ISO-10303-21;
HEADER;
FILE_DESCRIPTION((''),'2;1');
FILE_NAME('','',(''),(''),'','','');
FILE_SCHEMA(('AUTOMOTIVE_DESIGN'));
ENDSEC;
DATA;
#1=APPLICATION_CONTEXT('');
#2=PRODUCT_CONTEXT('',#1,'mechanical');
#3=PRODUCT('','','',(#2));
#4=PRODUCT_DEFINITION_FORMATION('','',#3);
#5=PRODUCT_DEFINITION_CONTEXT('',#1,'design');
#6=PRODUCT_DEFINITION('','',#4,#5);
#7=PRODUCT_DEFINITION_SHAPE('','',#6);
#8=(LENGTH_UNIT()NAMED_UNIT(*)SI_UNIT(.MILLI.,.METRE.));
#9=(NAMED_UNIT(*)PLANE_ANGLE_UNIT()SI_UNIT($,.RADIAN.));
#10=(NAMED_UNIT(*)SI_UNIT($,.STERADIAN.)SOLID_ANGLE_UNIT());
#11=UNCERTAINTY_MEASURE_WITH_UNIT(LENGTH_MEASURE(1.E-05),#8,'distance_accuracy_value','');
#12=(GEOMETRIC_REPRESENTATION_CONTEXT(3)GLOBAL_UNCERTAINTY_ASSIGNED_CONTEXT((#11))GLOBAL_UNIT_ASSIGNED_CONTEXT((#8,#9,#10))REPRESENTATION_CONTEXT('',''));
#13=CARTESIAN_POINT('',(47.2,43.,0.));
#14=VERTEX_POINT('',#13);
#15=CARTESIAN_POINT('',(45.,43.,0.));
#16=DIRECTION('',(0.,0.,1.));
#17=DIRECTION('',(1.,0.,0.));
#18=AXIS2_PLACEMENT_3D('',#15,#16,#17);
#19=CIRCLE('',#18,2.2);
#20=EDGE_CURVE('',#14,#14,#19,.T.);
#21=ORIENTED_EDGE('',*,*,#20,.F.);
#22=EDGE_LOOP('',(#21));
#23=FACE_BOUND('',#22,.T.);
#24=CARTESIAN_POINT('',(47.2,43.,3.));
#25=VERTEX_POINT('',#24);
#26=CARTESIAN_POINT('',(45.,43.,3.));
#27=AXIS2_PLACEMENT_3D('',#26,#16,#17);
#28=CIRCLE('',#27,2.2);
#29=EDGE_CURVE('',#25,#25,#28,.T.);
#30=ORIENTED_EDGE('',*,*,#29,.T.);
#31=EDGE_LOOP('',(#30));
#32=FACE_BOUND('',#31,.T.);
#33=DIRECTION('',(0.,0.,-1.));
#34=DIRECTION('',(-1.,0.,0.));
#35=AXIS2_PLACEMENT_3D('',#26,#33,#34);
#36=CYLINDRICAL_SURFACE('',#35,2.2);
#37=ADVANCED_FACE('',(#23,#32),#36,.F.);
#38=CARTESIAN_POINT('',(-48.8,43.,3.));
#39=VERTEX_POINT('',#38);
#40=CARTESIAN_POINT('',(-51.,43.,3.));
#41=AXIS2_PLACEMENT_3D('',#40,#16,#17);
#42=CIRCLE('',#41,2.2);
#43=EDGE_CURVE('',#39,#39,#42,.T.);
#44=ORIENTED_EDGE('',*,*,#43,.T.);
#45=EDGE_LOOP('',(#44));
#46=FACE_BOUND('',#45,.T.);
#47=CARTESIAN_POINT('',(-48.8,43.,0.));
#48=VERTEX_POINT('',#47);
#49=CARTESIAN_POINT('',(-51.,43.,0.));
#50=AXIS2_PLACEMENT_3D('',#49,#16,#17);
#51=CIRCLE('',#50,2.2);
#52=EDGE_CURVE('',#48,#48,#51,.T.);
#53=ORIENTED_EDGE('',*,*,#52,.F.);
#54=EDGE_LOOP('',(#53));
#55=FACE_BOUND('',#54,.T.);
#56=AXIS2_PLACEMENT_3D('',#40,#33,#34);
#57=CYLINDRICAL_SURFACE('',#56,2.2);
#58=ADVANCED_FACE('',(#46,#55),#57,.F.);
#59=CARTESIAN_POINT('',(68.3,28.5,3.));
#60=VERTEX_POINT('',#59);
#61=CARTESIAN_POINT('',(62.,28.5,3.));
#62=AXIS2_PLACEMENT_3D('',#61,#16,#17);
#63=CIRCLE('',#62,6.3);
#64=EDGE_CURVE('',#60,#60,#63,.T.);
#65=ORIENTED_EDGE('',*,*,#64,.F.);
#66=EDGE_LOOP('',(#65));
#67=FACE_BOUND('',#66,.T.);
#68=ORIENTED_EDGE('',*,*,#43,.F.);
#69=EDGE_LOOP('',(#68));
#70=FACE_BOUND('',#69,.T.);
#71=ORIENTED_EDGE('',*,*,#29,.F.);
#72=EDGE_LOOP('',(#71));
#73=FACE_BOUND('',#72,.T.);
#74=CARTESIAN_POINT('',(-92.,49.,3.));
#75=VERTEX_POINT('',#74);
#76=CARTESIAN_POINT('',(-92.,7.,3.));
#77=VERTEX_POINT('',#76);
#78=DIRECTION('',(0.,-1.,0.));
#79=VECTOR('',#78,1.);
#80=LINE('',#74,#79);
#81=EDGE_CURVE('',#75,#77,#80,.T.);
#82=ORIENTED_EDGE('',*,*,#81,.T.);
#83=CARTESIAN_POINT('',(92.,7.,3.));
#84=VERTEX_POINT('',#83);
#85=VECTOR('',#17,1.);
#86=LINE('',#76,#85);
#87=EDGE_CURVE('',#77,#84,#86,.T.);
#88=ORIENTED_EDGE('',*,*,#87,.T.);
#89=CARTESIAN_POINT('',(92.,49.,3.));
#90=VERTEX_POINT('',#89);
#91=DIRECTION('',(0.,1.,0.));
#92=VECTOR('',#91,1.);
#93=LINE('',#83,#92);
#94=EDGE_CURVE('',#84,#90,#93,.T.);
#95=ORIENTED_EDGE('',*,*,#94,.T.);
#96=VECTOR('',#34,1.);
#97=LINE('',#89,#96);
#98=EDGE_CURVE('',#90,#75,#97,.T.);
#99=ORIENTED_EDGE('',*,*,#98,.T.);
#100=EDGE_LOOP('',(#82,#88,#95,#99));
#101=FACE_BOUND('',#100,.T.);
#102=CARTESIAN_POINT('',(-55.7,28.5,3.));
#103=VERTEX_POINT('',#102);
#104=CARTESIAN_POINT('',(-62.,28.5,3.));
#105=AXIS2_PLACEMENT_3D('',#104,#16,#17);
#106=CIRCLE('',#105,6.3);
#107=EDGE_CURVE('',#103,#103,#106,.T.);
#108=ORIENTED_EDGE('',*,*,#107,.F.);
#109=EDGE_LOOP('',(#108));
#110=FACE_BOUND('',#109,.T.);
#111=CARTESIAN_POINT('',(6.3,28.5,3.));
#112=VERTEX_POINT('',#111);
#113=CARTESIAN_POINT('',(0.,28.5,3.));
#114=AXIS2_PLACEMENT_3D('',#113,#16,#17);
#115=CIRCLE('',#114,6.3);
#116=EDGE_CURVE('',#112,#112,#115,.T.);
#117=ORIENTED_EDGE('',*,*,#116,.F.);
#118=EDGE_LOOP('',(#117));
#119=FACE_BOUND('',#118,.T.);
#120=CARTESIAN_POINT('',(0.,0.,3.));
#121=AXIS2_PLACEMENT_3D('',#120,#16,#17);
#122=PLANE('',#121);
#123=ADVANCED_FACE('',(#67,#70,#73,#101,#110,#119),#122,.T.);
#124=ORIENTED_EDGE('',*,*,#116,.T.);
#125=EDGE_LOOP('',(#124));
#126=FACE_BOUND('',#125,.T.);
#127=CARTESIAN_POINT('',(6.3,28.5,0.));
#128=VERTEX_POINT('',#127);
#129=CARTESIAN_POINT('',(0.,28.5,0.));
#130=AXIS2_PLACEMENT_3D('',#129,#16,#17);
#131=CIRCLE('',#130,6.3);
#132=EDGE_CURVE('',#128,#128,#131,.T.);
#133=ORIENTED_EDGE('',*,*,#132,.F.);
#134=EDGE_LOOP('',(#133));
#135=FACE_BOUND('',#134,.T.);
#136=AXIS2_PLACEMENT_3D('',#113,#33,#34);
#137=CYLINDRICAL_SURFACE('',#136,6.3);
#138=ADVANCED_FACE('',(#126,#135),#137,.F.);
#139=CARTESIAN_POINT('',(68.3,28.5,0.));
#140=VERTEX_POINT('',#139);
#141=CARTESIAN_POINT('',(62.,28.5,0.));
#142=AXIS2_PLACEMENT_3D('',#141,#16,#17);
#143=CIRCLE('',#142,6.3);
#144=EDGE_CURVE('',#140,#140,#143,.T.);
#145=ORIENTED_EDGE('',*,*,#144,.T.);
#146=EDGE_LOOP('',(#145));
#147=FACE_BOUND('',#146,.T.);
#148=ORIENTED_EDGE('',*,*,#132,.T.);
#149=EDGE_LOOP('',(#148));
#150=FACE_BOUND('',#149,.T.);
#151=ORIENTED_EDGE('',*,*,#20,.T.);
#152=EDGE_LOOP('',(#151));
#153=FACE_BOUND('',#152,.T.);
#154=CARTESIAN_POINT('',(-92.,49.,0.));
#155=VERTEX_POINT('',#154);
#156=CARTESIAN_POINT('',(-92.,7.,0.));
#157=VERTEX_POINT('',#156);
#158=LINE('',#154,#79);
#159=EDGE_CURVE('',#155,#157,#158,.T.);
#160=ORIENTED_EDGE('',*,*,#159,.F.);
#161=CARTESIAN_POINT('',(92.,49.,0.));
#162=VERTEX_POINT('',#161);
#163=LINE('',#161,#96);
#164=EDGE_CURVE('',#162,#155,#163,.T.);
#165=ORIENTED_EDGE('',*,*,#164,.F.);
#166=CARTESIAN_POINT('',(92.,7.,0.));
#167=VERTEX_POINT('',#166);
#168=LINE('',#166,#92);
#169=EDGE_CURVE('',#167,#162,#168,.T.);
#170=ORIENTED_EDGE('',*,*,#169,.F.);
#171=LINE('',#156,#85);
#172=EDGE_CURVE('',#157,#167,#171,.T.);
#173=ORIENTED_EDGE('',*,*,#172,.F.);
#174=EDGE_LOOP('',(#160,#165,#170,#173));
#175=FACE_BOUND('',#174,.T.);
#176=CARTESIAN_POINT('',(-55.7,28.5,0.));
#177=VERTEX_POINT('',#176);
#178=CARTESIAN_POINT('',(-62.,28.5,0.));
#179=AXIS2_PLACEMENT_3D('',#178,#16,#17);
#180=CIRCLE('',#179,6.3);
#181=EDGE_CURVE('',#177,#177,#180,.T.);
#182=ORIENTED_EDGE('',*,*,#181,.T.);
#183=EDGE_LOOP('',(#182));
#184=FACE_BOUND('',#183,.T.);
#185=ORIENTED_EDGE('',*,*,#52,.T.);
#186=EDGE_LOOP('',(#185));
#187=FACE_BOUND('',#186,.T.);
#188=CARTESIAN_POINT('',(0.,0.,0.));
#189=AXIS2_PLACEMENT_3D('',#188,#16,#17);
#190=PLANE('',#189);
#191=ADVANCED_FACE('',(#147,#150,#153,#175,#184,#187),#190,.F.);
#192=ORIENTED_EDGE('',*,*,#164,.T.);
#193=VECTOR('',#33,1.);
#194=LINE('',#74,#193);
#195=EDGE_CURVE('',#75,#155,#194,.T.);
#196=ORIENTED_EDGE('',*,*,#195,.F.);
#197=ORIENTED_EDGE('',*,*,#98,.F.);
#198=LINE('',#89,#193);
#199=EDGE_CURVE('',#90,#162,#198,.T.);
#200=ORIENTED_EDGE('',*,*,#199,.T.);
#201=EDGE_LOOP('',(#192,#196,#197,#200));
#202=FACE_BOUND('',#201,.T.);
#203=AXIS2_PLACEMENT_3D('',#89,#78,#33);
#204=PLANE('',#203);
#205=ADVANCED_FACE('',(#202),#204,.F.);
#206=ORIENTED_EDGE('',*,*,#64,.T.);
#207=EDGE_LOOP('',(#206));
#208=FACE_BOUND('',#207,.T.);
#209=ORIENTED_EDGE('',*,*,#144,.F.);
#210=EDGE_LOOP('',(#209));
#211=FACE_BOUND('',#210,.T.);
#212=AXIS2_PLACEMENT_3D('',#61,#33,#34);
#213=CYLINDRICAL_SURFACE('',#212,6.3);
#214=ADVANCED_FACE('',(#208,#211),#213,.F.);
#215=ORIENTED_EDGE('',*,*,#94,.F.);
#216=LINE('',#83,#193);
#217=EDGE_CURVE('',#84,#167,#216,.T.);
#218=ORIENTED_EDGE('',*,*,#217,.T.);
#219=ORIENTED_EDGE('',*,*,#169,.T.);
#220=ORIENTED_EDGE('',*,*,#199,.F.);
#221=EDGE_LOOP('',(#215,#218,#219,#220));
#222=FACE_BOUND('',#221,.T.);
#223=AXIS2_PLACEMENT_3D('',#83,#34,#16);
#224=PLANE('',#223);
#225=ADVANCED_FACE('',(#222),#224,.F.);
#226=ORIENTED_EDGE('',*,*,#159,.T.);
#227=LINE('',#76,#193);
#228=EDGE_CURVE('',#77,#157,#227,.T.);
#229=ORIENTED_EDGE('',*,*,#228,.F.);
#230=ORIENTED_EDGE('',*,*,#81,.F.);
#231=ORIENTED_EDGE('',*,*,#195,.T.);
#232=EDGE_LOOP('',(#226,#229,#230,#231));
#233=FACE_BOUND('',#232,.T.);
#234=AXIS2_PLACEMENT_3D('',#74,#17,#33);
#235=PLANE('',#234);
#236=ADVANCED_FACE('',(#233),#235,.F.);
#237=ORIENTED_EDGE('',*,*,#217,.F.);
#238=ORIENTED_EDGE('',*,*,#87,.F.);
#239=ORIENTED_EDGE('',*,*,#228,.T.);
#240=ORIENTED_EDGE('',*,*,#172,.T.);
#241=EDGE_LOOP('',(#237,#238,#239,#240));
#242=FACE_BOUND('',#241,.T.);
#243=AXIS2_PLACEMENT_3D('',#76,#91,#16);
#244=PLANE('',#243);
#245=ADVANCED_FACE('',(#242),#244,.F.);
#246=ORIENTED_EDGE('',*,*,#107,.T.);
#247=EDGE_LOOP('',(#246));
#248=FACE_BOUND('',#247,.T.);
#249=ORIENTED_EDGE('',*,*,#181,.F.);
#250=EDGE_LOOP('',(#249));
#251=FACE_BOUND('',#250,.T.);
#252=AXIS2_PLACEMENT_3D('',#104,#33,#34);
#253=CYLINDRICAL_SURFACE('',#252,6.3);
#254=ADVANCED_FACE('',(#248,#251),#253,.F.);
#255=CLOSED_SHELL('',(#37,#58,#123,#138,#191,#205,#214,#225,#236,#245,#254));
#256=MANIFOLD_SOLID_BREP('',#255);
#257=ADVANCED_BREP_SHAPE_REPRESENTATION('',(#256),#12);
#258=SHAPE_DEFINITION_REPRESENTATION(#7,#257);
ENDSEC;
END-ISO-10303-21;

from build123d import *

# Parameters (mm, degrees)
THREE_BOSS_BORES_AND_BLANK_GEARBOX_F_2_W       = 184
THREE_BOSS_BORES_AND_BLANK_GEARBOX_F_2_H       = 42
THREE_BOSS_BORES_AND_BLANK_GEARBOX_F_2_R       = 6.3
THREE_BOSS_BORES_AND_BLANK_GEARBOX_F_2_R_2     = 2.2
THREE_BOSS_BORES_AND_BLANK_GEARBOX_FIXIN_DEPTH = 3


with BuildPart() as part:
    # Three boss bores and blank gearbox f 2 → Three boss bores and blank gearbox fixin (new body)
    with BuildSketch(Plane.XY):
        with Locations((0, 28)):
            Rectangle(THREE_BOSS_BORES_AND_BLANK_GEARBOX_F_2_W, THREE_BOSS_BORES_AND_BLANK_GEARBOX_F_2_H)
        with Locations((-62, 28.5)):
            Circle(THREE_BOSS_BORES_AND_BLANK_GEARBOX_F_2_R, mode=Mode.SUBTRACT)
        with Locations((0, 28.5)):
            Circle(THREE_BOSS_BORES_AND_BLANK_GEARBOX_F_2_R, mode=Mode.SUBTRACT)
        with Locations((62, 28.5)):
            Circle(THREE_BOSS_BORES_AND_BLANK_GEARBOX_F_2_R, mode=Mode.SUBTRACT)
        with Locations((-51, 43)):
            Circle(THREE_BOSS_BORES_AND_BLANK_GEARBOX_F_2_R_2, mode=Mode.SUBTRACT)
        with Locations((45, 43)):
            Circle(THREE_BOSS_BORES_AND_BLANK_GEARBOX_F_2_R_2, mode=Mode.SUBTRACT)
    extrude(amount=THREE_BOSS_BORES_AND_BLANK_GEARBOX_FIXIN_DEPTH)


solid = part.part
